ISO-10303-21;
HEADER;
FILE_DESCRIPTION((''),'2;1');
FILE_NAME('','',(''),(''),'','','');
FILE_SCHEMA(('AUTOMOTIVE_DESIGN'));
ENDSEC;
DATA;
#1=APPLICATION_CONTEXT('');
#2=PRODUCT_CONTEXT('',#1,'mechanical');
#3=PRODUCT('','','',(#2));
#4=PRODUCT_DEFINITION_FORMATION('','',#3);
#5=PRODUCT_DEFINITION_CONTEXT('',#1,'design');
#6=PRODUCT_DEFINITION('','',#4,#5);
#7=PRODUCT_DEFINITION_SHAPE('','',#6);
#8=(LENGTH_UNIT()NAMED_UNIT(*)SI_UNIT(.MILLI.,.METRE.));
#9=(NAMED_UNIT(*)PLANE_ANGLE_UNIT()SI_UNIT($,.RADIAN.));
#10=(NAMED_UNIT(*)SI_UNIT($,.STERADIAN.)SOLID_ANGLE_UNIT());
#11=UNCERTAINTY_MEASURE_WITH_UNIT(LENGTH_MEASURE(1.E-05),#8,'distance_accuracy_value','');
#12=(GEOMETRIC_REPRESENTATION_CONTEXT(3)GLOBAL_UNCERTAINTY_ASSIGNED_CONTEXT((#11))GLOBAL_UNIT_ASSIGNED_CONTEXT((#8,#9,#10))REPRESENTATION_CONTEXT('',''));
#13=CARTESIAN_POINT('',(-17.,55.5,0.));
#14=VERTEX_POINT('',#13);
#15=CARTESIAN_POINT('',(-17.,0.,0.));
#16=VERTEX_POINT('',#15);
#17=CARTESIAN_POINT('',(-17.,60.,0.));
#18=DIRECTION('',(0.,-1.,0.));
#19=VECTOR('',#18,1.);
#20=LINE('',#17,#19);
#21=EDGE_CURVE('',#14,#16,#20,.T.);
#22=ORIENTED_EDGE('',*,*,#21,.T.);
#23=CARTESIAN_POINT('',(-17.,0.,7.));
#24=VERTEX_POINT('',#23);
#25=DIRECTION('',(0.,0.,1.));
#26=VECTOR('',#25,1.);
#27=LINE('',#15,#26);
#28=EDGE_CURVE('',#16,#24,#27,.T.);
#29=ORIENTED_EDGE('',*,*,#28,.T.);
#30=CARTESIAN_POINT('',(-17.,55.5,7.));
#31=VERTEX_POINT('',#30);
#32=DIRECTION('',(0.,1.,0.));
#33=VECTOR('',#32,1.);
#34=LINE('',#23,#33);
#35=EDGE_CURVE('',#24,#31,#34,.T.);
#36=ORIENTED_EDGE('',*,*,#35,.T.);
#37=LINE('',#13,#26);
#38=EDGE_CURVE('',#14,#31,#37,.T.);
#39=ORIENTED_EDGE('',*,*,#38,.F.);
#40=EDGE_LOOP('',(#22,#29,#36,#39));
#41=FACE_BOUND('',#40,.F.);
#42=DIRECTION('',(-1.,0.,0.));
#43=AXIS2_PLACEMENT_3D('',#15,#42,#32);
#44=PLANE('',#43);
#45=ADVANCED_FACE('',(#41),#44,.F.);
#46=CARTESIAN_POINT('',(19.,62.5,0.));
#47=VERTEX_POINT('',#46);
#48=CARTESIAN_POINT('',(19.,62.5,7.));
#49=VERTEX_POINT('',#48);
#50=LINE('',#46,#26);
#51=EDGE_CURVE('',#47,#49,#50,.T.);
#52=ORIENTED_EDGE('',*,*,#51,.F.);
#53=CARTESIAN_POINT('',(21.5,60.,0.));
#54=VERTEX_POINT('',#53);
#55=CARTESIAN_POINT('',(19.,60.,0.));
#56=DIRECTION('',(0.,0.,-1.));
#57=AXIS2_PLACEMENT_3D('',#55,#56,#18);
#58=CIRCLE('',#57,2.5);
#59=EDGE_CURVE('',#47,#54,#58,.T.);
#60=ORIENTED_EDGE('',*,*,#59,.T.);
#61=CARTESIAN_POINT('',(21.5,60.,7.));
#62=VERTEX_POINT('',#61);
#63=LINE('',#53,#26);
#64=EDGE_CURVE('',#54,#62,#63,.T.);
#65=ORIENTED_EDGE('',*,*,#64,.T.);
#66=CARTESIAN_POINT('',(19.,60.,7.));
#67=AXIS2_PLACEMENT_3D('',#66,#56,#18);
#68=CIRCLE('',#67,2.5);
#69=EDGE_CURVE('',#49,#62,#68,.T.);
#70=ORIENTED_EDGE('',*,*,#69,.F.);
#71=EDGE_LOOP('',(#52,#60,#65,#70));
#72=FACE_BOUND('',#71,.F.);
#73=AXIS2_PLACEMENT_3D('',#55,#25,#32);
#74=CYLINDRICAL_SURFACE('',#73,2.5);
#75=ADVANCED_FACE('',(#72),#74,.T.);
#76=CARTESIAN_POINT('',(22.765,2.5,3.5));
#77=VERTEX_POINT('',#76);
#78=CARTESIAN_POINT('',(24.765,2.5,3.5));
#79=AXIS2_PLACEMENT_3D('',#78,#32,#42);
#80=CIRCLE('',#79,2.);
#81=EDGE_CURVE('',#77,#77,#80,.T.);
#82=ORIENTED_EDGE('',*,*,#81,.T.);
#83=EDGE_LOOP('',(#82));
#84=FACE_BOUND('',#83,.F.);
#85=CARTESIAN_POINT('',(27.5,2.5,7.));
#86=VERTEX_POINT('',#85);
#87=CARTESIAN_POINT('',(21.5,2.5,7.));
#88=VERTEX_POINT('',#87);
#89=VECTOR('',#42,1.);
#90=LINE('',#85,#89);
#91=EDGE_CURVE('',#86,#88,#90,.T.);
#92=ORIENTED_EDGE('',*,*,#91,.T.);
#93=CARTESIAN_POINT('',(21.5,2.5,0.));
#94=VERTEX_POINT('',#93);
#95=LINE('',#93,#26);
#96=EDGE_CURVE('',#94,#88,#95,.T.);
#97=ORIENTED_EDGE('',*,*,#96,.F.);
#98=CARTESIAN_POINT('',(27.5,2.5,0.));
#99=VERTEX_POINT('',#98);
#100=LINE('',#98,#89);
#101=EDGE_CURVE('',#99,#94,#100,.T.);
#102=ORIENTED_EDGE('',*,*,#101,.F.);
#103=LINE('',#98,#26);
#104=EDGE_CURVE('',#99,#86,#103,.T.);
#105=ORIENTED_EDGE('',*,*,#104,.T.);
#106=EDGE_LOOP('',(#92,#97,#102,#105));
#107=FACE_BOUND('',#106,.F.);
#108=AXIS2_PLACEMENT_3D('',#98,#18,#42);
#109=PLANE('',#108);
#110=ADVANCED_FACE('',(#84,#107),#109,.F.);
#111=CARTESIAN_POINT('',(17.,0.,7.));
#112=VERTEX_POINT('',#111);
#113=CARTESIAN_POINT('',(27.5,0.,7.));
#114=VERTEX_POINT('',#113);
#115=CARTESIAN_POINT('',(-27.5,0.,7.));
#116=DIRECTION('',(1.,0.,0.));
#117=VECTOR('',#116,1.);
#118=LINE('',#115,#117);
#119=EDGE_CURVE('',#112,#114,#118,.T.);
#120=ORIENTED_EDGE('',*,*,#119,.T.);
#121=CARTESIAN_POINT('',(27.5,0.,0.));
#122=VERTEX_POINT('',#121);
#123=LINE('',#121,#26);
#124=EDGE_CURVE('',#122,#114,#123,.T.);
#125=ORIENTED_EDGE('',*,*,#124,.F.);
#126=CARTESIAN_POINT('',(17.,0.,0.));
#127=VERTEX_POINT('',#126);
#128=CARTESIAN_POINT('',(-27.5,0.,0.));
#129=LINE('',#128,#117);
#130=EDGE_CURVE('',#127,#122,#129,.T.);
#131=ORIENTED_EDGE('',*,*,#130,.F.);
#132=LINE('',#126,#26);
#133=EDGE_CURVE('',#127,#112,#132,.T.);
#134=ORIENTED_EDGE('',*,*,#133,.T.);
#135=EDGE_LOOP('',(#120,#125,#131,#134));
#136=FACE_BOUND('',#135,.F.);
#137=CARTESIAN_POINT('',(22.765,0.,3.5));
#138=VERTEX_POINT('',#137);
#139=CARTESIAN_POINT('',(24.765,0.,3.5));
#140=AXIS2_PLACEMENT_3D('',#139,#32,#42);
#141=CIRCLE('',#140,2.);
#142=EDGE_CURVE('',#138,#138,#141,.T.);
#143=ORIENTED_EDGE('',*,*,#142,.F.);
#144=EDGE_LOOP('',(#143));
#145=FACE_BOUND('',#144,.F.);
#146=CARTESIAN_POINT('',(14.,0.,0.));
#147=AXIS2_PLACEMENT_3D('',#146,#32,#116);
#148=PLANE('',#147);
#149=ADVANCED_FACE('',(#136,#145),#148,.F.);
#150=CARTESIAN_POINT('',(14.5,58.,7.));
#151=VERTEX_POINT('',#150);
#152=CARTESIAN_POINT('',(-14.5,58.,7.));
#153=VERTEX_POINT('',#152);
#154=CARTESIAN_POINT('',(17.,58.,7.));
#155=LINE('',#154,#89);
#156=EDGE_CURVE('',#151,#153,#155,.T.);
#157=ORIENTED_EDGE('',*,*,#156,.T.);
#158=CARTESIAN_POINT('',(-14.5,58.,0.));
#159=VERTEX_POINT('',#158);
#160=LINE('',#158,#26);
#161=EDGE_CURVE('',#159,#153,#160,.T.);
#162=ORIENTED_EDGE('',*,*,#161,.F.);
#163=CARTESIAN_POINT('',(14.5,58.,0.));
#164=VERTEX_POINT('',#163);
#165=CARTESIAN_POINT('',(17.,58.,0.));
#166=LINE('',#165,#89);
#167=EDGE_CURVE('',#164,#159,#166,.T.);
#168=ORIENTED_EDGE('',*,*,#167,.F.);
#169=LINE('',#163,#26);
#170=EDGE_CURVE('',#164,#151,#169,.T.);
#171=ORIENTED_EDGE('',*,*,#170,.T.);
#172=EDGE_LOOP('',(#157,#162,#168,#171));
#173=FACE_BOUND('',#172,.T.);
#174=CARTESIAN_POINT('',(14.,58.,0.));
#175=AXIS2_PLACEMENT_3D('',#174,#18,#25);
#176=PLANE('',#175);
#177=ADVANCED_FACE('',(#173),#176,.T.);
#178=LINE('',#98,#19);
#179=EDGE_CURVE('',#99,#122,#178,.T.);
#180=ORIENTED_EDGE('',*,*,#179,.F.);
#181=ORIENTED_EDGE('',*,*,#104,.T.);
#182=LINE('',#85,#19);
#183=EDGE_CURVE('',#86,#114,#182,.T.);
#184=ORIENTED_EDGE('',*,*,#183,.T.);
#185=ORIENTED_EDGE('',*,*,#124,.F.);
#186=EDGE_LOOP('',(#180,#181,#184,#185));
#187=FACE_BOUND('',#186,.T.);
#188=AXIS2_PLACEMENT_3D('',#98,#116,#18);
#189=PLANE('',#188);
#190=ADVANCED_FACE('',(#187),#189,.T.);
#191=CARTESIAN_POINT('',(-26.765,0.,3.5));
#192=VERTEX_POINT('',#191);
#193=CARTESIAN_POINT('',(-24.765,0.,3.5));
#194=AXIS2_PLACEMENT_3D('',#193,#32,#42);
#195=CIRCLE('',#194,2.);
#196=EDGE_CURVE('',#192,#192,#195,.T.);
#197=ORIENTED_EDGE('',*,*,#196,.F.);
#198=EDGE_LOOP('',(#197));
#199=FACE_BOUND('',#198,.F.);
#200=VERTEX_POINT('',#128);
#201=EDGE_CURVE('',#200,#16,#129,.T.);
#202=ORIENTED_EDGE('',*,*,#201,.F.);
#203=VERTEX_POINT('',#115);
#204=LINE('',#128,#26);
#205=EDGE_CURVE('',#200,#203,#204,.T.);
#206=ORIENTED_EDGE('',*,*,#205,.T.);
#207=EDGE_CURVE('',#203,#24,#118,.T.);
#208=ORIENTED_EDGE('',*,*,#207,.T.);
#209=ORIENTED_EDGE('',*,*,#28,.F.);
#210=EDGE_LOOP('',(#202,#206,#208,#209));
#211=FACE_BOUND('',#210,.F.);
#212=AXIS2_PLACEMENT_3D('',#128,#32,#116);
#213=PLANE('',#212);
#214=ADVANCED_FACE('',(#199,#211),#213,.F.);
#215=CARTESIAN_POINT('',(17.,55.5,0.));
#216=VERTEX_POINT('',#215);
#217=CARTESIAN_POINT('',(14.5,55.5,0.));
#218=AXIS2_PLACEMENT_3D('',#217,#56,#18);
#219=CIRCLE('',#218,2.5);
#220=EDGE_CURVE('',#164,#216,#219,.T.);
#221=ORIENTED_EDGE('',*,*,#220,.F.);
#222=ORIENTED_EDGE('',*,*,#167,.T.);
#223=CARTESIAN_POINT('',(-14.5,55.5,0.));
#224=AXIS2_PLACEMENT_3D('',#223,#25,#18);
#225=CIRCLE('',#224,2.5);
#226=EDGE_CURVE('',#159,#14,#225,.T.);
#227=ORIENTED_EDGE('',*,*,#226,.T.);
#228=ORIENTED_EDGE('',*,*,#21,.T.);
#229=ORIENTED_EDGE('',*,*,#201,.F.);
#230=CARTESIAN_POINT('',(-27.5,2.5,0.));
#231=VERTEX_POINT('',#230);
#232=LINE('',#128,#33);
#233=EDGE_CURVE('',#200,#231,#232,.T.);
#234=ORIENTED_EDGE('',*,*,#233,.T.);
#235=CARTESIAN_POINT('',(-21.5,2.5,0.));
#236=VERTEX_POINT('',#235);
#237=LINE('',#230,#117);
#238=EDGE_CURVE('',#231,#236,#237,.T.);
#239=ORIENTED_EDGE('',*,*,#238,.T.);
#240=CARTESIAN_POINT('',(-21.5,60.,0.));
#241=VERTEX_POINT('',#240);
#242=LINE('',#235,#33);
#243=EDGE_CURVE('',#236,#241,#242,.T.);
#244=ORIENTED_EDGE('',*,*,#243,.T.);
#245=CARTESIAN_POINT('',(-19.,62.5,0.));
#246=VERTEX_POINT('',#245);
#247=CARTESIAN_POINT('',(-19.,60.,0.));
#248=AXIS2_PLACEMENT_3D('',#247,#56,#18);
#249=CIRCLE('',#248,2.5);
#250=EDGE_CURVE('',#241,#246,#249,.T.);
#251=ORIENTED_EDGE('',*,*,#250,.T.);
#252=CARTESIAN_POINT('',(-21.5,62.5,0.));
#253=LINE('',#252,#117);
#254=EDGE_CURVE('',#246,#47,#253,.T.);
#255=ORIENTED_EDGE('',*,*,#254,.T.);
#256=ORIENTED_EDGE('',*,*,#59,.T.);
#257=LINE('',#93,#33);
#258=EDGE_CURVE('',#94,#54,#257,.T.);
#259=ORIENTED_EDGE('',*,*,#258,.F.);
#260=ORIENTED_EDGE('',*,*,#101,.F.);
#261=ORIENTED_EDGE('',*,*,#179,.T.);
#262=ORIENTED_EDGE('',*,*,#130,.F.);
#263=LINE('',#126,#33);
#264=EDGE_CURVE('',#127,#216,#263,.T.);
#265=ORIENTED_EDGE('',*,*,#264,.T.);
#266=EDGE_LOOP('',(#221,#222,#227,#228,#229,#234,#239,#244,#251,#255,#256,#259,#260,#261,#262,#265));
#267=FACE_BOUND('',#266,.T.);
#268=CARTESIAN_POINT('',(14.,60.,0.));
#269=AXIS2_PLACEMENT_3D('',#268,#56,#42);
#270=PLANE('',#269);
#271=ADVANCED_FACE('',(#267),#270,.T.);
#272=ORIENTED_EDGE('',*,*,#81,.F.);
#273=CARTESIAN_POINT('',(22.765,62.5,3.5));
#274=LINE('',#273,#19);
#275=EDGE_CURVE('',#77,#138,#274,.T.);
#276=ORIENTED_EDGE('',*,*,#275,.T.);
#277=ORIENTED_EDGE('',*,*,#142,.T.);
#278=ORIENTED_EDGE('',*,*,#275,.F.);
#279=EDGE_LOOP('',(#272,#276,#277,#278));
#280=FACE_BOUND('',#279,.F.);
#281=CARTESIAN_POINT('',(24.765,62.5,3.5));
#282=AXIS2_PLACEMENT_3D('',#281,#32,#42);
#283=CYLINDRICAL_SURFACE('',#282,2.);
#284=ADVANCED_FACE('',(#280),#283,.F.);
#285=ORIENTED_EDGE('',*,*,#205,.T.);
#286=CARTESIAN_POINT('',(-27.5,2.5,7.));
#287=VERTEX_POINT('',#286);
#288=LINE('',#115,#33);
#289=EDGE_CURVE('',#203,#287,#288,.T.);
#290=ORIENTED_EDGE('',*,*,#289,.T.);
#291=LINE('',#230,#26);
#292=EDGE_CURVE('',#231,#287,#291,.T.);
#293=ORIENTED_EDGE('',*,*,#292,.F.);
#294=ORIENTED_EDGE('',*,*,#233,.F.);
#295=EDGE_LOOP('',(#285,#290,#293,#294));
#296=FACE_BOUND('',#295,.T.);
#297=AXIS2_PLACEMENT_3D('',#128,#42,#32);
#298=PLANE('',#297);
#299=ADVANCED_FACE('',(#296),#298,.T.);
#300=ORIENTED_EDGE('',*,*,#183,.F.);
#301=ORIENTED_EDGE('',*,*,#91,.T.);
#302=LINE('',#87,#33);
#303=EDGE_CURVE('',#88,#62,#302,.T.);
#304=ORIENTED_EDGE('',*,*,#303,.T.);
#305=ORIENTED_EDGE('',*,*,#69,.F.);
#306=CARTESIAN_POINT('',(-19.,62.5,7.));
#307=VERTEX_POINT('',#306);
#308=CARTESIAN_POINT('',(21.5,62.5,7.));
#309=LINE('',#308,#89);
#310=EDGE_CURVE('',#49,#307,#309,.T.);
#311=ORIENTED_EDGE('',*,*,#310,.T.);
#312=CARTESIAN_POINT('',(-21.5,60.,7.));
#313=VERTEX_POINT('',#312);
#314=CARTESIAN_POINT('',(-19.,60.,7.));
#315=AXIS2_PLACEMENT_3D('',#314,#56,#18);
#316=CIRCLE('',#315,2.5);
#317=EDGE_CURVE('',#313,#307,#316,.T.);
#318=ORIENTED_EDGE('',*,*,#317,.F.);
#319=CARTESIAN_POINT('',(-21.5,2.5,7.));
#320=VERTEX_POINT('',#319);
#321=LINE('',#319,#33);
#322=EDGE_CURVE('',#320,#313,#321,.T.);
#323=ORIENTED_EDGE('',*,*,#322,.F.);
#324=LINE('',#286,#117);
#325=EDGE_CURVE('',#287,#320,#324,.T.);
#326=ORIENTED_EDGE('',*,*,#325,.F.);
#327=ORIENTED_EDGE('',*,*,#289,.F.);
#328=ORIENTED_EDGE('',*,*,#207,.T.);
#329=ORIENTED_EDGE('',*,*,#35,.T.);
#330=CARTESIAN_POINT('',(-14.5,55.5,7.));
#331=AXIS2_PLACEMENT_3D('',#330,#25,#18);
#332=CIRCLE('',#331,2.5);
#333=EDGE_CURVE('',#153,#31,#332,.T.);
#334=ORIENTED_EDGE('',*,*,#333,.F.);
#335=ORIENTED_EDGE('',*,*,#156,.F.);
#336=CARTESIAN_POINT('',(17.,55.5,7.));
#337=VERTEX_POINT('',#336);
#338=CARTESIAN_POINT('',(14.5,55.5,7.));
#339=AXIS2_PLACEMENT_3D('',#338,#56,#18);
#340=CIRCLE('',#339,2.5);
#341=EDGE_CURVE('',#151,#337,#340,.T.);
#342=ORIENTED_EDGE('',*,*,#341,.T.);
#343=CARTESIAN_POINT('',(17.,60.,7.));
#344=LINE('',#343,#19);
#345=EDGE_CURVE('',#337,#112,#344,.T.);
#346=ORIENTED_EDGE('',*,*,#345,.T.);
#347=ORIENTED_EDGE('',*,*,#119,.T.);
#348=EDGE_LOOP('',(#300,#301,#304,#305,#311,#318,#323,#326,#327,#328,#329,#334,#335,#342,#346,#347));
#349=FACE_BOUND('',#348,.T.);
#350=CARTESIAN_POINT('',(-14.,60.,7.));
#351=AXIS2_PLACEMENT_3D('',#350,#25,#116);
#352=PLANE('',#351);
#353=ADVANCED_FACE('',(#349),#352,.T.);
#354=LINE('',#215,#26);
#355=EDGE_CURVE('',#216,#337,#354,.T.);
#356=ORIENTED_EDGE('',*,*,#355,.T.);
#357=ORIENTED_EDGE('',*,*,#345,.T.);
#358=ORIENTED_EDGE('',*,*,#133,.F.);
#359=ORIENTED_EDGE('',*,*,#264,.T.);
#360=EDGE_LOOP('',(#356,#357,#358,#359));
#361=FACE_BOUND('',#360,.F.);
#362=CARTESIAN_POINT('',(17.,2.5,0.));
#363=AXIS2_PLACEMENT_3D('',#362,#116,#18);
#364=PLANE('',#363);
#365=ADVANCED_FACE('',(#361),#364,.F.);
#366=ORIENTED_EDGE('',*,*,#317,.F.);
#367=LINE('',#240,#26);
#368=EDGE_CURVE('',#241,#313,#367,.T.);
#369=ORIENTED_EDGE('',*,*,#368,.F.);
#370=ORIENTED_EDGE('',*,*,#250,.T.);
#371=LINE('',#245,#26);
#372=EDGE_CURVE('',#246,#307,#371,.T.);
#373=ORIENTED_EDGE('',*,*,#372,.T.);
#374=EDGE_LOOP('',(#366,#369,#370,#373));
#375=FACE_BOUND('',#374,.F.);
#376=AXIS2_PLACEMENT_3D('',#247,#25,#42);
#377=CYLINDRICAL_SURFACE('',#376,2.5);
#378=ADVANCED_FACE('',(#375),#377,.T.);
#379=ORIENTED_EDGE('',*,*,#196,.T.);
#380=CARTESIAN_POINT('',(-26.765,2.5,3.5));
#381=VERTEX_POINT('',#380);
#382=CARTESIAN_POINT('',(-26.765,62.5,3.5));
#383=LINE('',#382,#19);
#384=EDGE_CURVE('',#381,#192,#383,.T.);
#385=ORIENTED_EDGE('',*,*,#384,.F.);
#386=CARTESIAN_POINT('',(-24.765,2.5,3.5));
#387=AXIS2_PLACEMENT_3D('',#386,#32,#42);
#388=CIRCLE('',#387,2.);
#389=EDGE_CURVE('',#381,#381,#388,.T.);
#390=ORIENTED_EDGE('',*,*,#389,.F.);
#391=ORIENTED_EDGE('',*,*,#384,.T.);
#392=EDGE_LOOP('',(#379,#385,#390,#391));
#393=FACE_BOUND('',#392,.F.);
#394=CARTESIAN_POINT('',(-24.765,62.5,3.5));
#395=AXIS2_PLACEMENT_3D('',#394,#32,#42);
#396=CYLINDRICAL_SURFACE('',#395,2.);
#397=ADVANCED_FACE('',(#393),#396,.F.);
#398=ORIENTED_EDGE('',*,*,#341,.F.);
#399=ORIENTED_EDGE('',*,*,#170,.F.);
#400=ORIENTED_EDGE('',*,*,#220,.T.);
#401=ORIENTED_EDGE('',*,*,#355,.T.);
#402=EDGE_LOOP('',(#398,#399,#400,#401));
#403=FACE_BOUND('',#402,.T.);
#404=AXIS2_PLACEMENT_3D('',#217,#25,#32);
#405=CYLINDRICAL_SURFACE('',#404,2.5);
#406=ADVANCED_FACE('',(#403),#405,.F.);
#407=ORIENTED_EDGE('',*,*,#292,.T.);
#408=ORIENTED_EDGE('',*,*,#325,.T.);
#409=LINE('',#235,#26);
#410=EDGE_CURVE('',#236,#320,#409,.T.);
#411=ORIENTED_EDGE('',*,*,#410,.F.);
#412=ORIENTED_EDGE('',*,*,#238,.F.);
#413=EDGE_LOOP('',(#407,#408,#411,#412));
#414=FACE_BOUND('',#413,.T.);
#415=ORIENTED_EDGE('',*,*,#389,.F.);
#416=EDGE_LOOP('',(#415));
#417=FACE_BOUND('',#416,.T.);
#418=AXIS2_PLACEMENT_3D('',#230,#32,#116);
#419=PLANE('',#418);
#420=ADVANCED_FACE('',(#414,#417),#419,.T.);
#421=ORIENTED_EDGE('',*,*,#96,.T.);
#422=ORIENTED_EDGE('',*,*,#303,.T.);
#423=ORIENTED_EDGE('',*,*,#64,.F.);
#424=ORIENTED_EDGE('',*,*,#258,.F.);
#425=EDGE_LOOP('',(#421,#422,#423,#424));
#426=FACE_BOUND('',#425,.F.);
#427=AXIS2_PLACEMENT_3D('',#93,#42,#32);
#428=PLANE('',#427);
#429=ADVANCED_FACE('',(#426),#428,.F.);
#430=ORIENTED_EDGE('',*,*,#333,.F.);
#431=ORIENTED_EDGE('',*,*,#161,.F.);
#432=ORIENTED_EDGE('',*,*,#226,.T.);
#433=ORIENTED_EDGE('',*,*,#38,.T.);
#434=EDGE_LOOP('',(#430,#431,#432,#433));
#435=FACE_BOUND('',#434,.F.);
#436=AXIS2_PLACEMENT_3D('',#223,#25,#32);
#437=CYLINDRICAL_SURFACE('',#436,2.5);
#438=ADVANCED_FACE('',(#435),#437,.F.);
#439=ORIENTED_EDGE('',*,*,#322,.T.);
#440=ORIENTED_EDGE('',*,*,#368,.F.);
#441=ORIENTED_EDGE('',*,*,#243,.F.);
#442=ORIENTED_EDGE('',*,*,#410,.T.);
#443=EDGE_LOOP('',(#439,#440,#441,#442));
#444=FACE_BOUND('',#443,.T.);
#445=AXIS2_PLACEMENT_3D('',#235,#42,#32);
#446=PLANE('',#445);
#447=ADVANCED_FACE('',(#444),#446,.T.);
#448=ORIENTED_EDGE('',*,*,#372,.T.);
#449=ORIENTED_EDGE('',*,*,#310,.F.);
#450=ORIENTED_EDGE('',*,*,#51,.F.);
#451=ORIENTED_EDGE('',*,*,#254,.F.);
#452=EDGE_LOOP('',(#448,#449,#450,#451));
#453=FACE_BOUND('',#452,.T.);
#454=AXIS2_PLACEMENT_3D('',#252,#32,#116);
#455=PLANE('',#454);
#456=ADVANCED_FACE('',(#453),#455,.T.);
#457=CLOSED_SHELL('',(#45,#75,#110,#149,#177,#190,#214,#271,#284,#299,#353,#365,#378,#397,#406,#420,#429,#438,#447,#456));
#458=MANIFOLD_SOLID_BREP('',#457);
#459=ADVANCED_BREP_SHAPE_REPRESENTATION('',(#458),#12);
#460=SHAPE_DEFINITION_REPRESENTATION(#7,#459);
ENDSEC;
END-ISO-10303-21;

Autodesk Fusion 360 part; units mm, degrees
sketch "Sketch1" plane through (0, 0, 0) normal (0, 0, 1) x (1, 0, 0)
  line L0 (-27.5, 0) -> (27.5, 0)
  line L1 (-27.5, 0) -> (-27.5, 2.5)
  line L2 (-27.5, 2.5) -> (-21.5, 2.5)
  line L3 (0, 0) -> (0, 60)
  line L4 (27.5, 2.5) -> (21.5, 2.5)
  line L5 (0, 2.5) -> (-14, 2.5)
  line L6 (0, 2.5) -> (14, 2.5)
  line L7 (-14, 0) -> (-14, 2.5)
  line L8 (14, 2.5) -> (14, 0)
  line L9 (-14, 2.5) -> (-14, 62.5)
  line L10 (14, 2.5) -> (14, 62.5)
  line L11 (-21.5, 2.5) -> (-21.5, 62.5)
  line L12 (21.5, 2.5) -> (21.5, 62.5)
  line L13 (-21.5, 62.5) -> (21.5, 62.5)
  line L14 (0, 60) -> (-14, 60)
  line L15 (0, 60) -> (14, 60)
  line L16 (27.5, 2.5) -> (27.5, 0)
  dimension "d8" = 55
  dimension "d9" = 6
  dimension "d10" = 60
  dimension "d11" = 60
  dimension "d12" = 60
extrude "Extrude1" add sketch "Sketch1" along normal blind 7 contours L0 L1 L2 L7 L9 L11 L13 | L0 L4 L8 L10 L12 L13 L16 | L9 L10 L13 L14 L15
extrude "Extrude2" add 2 faces at (-4.6667, 60, 2.3333) (4.6667, 60, 2.3333) along direction (0, -1, 0) blind 2
sketch "Sketch2" plane through (0, 62.5, 0) normal (0, 1, 0) x (-1, 0, 0)
  line L0 (-21.5, 0) -> (21.5, 0)
  line L1 (21.5, 0) -> (21.5, 7)
  line L2 (21.5, 7) -> (-21.5, 7)
  line L3 (-21.5, 7) -> (-21.5, 0)
  line L4 (0, 3.5) -> (24.765, 3.5)
  line L5 (0, 0) -> (0, 7)
  line L6 (0, 3.5) -> (-24.765, 3.5)
  circle A0 centre (24.765, 3.5) radius 2
  circle A1 centre (-24.765, 3.5) radius 2
  dimension "d17" = 24.765
  dimension "d18" = 4
  dimension "d19" = 4
extrude "Extrude3" cut sketch "Sketch2" against normal blind 66 contours A0 | A1
extrude "Extrude4" cut 1 faces at (-14, 19.3333, 4.6667) along direction (-1, 0, 0) blind 3
extrude "Extrude5" cut 1 faces at (14, 19.3333, 4.6667) along direction (1, 0, 0) blind 3
fillet "Fillet1" radius 2.5 1 edges at (-17, 58, 3.5)
fillet "Fillet2" radius 2.5 1 edges at (17, 58, 3.5)
fillet "Fillet3" radius 2.5 1 edges at (-21.5, 62.5, 3.5)
fillet "Fillet4" radius 2.5 1 edges at (21.5, 62.5, 3.5)
